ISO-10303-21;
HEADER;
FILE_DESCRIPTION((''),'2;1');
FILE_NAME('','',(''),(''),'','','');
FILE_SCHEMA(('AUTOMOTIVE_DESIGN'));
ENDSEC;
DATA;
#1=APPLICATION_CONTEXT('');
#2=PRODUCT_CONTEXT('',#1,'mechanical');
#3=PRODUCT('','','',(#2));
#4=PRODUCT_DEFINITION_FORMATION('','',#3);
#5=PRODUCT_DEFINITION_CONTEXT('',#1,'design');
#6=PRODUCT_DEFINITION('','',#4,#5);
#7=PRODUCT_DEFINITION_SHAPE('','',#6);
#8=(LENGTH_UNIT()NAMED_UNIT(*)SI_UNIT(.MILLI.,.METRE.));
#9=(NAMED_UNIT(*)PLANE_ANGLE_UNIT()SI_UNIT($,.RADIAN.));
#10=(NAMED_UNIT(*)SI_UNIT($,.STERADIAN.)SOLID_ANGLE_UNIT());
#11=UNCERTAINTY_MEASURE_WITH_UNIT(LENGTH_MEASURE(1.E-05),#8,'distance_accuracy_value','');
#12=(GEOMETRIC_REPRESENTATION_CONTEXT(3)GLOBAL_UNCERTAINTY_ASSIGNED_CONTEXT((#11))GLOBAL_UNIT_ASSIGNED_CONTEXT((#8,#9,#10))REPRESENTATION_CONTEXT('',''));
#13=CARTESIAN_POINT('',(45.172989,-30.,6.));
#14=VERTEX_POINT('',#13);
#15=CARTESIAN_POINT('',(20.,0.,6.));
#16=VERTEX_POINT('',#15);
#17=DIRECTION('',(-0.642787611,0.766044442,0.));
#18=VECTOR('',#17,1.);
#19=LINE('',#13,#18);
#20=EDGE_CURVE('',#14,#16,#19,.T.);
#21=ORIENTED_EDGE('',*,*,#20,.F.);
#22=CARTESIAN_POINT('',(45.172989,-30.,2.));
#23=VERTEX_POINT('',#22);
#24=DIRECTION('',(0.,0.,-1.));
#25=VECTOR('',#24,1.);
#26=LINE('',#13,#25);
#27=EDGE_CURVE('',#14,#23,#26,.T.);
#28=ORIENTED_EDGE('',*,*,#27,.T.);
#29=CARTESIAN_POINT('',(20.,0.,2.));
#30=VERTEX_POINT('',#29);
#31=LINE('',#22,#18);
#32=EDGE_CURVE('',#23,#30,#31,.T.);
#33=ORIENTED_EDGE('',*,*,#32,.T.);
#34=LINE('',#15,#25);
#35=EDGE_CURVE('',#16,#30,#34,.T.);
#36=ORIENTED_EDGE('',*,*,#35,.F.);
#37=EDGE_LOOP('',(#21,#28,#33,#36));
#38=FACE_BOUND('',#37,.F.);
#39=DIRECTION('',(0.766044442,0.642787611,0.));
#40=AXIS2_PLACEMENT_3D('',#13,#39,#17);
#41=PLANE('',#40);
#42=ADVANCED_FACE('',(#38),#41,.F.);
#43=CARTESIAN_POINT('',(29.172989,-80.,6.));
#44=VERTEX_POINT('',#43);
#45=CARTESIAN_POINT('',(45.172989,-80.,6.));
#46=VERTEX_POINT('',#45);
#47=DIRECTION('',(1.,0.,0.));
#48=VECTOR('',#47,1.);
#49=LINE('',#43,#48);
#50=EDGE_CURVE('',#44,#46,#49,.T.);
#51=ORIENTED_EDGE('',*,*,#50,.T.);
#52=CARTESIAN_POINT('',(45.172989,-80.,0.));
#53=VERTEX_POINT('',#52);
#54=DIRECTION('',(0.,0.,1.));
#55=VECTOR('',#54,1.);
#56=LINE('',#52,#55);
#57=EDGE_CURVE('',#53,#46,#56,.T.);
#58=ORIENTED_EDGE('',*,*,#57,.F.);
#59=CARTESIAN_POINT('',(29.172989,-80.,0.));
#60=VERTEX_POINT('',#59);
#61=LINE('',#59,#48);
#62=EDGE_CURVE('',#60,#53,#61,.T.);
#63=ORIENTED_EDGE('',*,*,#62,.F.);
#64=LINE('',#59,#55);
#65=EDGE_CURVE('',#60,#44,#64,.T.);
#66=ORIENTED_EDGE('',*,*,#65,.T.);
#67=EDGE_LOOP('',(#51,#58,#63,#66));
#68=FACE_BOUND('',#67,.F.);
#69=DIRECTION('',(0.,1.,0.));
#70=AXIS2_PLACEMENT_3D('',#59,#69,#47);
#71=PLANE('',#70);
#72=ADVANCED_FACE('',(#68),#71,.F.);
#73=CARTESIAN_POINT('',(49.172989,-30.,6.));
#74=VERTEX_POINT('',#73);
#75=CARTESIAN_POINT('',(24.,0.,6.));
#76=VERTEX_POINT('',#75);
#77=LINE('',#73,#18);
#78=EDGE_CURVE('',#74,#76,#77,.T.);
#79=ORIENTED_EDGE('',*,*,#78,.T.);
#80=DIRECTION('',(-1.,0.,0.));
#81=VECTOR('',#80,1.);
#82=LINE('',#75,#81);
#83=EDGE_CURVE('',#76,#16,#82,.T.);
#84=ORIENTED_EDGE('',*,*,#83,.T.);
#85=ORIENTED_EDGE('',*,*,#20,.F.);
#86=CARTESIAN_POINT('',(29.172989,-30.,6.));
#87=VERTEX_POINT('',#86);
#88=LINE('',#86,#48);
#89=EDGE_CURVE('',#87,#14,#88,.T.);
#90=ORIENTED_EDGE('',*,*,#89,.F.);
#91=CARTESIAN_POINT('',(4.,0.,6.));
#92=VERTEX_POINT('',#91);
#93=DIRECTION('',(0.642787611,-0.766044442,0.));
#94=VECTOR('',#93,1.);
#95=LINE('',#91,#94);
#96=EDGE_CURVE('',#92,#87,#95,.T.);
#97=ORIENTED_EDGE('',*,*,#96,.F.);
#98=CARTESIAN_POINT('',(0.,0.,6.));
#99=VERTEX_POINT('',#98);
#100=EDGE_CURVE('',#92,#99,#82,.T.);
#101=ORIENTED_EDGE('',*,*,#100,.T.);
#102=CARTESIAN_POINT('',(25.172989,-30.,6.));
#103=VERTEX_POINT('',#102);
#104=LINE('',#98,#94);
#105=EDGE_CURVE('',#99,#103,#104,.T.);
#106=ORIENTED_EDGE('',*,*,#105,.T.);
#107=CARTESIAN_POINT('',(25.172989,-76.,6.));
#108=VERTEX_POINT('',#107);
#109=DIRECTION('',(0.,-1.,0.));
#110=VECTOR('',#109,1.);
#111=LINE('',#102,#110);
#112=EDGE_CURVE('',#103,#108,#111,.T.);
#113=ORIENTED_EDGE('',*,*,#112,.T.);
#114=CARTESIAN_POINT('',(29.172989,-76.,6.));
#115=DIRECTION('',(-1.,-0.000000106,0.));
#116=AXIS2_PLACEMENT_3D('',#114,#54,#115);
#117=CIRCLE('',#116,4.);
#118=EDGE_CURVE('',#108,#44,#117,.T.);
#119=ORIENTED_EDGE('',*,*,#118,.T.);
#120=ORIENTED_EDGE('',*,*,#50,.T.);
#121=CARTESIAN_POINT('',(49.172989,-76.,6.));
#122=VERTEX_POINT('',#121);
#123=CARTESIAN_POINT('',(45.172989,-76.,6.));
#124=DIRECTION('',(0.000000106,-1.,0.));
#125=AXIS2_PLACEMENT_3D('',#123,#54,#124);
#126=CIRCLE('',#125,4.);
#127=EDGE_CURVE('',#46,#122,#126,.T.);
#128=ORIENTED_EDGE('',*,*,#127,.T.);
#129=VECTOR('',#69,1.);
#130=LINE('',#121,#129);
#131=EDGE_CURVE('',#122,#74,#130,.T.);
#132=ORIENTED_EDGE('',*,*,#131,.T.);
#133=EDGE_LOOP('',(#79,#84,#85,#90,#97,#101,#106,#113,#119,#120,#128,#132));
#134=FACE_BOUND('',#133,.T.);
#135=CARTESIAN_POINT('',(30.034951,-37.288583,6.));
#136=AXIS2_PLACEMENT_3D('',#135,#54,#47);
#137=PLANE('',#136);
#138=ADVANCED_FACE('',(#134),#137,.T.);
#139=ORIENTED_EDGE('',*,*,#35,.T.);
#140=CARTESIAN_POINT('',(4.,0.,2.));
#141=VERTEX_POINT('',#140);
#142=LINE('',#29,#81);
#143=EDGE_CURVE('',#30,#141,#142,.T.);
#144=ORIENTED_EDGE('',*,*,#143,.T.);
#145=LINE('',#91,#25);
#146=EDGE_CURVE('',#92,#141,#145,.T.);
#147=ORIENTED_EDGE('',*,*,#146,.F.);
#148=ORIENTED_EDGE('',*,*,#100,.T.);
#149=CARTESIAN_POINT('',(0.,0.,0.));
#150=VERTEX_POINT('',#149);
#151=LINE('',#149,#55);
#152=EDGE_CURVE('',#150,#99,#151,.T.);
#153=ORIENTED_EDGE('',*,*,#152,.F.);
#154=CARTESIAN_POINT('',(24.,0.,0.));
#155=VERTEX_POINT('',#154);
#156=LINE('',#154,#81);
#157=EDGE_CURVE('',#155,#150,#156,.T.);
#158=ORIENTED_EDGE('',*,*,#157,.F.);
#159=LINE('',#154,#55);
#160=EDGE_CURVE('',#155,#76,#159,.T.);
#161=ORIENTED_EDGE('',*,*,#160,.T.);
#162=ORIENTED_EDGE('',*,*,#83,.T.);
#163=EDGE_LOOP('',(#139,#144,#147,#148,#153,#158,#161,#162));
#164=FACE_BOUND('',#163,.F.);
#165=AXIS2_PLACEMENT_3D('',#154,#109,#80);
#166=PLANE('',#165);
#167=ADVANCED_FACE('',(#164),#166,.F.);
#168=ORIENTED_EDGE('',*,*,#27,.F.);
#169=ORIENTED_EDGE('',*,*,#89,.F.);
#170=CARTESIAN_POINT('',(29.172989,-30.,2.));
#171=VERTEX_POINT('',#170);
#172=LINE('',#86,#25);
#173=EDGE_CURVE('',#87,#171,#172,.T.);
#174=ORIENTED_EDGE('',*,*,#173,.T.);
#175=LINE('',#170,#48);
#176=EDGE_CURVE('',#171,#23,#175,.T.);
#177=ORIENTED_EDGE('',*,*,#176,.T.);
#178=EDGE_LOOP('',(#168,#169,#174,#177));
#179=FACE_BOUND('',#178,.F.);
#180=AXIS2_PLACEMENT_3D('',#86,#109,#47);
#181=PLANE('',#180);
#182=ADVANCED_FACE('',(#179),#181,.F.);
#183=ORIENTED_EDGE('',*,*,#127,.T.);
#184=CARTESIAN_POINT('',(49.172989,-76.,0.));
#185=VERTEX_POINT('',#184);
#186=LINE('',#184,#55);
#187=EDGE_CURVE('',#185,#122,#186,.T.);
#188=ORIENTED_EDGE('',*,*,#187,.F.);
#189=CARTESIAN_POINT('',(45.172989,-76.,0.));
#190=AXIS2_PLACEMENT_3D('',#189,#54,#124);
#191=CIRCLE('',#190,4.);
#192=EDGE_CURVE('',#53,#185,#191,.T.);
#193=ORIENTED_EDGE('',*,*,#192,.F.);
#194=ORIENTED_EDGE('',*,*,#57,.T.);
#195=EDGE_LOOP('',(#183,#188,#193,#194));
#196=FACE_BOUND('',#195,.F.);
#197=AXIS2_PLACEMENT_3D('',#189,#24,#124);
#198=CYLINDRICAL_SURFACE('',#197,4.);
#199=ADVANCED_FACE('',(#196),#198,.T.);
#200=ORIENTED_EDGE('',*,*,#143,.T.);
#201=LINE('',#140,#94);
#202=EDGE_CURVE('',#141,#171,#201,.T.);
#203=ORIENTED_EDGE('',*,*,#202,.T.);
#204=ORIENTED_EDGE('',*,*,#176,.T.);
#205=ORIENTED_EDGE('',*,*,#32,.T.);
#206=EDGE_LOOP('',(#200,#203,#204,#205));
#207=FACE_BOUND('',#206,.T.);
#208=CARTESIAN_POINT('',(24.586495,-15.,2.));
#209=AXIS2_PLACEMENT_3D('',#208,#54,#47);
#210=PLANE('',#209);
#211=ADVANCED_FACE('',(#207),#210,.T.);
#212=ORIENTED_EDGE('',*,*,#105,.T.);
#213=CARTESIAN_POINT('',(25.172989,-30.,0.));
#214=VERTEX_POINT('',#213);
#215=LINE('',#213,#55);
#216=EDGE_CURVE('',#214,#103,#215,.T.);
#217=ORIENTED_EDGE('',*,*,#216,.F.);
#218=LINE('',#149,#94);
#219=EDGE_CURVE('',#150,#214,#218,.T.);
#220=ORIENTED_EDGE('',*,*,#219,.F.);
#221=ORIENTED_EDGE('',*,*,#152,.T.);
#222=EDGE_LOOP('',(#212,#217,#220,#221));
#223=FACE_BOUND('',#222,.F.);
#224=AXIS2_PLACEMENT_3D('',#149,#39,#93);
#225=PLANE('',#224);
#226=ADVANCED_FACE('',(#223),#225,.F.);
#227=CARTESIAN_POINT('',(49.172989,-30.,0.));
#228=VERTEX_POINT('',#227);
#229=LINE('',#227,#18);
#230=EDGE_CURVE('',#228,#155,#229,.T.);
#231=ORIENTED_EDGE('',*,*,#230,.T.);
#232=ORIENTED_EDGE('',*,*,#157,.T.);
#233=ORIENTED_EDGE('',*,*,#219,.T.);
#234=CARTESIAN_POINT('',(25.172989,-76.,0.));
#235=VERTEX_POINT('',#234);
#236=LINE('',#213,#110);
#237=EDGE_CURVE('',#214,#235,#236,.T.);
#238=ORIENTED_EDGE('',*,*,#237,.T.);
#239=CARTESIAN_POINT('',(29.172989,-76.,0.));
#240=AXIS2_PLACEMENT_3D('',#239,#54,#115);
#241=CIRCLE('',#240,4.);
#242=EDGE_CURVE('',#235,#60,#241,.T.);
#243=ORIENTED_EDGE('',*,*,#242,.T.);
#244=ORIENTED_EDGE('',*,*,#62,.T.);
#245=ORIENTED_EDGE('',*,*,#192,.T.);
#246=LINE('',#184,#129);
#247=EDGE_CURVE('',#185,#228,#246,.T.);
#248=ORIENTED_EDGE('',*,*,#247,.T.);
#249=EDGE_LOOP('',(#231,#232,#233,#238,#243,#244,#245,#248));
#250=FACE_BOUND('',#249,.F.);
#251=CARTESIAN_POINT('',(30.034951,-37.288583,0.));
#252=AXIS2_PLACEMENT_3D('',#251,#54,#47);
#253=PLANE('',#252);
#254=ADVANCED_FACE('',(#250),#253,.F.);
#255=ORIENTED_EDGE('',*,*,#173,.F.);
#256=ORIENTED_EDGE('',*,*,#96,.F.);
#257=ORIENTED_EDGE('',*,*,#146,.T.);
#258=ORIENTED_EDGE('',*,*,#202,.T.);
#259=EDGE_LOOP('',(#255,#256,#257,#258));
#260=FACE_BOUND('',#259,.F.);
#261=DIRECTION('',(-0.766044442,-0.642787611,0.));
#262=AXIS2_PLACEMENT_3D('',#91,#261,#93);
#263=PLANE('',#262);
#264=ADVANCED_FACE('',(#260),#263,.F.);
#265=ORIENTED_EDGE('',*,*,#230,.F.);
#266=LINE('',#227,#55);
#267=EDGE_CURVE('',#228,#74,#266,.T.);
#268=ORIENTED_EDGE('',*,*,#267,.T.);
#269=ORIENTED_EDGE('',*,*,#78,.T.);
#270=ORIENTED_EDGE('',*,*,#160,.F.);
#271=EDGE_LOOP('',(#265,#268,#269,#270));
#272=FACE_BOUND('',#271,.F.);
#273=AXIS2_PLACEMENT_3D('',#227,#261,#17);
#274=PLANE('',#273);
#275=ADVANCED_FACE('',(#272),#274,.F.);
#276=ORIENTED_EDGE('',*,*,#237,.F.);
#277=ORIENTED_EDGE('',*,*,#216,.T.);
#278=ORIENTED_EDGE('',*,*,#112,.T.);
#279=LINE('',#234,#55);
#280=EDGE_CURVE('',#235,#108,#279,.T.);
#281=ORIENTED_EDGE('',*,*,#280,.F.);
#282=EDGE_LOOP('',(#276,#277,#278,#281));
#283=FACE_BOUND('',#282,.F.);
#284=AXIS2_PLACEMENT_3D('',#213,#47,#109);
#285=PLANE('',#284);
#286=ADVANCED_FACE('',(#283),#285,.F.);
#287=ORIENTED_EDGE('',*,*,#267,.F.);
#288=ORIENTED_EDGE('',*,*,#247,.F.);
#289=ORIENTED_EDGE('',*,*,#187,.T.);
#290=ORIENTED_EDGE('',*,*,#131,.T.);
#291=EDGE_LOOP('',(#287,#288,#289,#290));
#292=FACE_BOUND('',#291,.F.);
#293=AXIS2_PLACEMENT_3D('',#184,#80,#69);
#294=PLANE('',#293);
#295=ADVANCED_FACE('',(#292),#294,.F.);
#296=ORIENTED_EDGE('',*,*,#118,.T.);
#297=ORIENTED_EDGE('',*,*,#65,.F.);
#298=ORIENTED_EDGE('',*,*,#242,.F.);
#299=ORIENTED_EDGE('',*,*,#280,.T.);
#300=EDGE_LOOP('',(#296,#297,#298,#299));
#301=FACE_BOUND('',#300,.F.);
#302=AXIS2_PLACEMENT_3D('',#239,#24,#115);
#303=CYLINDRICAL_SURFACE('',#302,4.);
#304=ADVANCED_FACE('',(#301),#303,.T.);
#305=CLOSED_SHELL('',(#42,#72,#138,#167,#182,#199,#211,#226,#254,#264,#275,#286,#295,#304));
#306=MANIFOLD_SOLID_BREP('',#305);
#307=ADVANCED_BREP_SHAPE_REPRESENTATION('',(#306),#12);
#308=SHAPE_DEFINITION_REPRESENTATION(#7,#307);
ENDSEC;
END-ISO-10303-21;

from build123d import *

# Parameters (mm, degrees)
F1_DEPTH = 6
F3_DEPTH = 4


with BuildPart() as f1:
    # F0 (on Top) → F1 (new body)
    with BuildSketch(Plane.XY):
        with BuildLine():
            ThreePointArc((45.172989, -80), (48.001416, -78.828427), (49.172989, -76))
            Line((49.172989, -76), (49.172989, -30))
            Line((49.172989, -30), (24, 0))
            Line((24, 0), (0, 0))
            Line((0, 0), (25.172989, -30))
            Line((25.172989, -30), (25.172989, -76))
            ThreePointArc((25.172989, -76), (26.344562, -78.828427), (29.172989, -80))
            Line((29.172989, -80), (45.172989, -80))
        make_face()
    extrude(amount=F1_DEPTH)

    # F2 (on face) → F3 (cut)
    with BuildSketch(Plane.XY.offset(6)):
        Polygon((4, 0), (29.172989, -30), (45.172989, -30), (20, 0), align=None)
    extrude(amount=-F3_DEPTH, mode=Mode.SUBTRACT)


solid = f1.part
